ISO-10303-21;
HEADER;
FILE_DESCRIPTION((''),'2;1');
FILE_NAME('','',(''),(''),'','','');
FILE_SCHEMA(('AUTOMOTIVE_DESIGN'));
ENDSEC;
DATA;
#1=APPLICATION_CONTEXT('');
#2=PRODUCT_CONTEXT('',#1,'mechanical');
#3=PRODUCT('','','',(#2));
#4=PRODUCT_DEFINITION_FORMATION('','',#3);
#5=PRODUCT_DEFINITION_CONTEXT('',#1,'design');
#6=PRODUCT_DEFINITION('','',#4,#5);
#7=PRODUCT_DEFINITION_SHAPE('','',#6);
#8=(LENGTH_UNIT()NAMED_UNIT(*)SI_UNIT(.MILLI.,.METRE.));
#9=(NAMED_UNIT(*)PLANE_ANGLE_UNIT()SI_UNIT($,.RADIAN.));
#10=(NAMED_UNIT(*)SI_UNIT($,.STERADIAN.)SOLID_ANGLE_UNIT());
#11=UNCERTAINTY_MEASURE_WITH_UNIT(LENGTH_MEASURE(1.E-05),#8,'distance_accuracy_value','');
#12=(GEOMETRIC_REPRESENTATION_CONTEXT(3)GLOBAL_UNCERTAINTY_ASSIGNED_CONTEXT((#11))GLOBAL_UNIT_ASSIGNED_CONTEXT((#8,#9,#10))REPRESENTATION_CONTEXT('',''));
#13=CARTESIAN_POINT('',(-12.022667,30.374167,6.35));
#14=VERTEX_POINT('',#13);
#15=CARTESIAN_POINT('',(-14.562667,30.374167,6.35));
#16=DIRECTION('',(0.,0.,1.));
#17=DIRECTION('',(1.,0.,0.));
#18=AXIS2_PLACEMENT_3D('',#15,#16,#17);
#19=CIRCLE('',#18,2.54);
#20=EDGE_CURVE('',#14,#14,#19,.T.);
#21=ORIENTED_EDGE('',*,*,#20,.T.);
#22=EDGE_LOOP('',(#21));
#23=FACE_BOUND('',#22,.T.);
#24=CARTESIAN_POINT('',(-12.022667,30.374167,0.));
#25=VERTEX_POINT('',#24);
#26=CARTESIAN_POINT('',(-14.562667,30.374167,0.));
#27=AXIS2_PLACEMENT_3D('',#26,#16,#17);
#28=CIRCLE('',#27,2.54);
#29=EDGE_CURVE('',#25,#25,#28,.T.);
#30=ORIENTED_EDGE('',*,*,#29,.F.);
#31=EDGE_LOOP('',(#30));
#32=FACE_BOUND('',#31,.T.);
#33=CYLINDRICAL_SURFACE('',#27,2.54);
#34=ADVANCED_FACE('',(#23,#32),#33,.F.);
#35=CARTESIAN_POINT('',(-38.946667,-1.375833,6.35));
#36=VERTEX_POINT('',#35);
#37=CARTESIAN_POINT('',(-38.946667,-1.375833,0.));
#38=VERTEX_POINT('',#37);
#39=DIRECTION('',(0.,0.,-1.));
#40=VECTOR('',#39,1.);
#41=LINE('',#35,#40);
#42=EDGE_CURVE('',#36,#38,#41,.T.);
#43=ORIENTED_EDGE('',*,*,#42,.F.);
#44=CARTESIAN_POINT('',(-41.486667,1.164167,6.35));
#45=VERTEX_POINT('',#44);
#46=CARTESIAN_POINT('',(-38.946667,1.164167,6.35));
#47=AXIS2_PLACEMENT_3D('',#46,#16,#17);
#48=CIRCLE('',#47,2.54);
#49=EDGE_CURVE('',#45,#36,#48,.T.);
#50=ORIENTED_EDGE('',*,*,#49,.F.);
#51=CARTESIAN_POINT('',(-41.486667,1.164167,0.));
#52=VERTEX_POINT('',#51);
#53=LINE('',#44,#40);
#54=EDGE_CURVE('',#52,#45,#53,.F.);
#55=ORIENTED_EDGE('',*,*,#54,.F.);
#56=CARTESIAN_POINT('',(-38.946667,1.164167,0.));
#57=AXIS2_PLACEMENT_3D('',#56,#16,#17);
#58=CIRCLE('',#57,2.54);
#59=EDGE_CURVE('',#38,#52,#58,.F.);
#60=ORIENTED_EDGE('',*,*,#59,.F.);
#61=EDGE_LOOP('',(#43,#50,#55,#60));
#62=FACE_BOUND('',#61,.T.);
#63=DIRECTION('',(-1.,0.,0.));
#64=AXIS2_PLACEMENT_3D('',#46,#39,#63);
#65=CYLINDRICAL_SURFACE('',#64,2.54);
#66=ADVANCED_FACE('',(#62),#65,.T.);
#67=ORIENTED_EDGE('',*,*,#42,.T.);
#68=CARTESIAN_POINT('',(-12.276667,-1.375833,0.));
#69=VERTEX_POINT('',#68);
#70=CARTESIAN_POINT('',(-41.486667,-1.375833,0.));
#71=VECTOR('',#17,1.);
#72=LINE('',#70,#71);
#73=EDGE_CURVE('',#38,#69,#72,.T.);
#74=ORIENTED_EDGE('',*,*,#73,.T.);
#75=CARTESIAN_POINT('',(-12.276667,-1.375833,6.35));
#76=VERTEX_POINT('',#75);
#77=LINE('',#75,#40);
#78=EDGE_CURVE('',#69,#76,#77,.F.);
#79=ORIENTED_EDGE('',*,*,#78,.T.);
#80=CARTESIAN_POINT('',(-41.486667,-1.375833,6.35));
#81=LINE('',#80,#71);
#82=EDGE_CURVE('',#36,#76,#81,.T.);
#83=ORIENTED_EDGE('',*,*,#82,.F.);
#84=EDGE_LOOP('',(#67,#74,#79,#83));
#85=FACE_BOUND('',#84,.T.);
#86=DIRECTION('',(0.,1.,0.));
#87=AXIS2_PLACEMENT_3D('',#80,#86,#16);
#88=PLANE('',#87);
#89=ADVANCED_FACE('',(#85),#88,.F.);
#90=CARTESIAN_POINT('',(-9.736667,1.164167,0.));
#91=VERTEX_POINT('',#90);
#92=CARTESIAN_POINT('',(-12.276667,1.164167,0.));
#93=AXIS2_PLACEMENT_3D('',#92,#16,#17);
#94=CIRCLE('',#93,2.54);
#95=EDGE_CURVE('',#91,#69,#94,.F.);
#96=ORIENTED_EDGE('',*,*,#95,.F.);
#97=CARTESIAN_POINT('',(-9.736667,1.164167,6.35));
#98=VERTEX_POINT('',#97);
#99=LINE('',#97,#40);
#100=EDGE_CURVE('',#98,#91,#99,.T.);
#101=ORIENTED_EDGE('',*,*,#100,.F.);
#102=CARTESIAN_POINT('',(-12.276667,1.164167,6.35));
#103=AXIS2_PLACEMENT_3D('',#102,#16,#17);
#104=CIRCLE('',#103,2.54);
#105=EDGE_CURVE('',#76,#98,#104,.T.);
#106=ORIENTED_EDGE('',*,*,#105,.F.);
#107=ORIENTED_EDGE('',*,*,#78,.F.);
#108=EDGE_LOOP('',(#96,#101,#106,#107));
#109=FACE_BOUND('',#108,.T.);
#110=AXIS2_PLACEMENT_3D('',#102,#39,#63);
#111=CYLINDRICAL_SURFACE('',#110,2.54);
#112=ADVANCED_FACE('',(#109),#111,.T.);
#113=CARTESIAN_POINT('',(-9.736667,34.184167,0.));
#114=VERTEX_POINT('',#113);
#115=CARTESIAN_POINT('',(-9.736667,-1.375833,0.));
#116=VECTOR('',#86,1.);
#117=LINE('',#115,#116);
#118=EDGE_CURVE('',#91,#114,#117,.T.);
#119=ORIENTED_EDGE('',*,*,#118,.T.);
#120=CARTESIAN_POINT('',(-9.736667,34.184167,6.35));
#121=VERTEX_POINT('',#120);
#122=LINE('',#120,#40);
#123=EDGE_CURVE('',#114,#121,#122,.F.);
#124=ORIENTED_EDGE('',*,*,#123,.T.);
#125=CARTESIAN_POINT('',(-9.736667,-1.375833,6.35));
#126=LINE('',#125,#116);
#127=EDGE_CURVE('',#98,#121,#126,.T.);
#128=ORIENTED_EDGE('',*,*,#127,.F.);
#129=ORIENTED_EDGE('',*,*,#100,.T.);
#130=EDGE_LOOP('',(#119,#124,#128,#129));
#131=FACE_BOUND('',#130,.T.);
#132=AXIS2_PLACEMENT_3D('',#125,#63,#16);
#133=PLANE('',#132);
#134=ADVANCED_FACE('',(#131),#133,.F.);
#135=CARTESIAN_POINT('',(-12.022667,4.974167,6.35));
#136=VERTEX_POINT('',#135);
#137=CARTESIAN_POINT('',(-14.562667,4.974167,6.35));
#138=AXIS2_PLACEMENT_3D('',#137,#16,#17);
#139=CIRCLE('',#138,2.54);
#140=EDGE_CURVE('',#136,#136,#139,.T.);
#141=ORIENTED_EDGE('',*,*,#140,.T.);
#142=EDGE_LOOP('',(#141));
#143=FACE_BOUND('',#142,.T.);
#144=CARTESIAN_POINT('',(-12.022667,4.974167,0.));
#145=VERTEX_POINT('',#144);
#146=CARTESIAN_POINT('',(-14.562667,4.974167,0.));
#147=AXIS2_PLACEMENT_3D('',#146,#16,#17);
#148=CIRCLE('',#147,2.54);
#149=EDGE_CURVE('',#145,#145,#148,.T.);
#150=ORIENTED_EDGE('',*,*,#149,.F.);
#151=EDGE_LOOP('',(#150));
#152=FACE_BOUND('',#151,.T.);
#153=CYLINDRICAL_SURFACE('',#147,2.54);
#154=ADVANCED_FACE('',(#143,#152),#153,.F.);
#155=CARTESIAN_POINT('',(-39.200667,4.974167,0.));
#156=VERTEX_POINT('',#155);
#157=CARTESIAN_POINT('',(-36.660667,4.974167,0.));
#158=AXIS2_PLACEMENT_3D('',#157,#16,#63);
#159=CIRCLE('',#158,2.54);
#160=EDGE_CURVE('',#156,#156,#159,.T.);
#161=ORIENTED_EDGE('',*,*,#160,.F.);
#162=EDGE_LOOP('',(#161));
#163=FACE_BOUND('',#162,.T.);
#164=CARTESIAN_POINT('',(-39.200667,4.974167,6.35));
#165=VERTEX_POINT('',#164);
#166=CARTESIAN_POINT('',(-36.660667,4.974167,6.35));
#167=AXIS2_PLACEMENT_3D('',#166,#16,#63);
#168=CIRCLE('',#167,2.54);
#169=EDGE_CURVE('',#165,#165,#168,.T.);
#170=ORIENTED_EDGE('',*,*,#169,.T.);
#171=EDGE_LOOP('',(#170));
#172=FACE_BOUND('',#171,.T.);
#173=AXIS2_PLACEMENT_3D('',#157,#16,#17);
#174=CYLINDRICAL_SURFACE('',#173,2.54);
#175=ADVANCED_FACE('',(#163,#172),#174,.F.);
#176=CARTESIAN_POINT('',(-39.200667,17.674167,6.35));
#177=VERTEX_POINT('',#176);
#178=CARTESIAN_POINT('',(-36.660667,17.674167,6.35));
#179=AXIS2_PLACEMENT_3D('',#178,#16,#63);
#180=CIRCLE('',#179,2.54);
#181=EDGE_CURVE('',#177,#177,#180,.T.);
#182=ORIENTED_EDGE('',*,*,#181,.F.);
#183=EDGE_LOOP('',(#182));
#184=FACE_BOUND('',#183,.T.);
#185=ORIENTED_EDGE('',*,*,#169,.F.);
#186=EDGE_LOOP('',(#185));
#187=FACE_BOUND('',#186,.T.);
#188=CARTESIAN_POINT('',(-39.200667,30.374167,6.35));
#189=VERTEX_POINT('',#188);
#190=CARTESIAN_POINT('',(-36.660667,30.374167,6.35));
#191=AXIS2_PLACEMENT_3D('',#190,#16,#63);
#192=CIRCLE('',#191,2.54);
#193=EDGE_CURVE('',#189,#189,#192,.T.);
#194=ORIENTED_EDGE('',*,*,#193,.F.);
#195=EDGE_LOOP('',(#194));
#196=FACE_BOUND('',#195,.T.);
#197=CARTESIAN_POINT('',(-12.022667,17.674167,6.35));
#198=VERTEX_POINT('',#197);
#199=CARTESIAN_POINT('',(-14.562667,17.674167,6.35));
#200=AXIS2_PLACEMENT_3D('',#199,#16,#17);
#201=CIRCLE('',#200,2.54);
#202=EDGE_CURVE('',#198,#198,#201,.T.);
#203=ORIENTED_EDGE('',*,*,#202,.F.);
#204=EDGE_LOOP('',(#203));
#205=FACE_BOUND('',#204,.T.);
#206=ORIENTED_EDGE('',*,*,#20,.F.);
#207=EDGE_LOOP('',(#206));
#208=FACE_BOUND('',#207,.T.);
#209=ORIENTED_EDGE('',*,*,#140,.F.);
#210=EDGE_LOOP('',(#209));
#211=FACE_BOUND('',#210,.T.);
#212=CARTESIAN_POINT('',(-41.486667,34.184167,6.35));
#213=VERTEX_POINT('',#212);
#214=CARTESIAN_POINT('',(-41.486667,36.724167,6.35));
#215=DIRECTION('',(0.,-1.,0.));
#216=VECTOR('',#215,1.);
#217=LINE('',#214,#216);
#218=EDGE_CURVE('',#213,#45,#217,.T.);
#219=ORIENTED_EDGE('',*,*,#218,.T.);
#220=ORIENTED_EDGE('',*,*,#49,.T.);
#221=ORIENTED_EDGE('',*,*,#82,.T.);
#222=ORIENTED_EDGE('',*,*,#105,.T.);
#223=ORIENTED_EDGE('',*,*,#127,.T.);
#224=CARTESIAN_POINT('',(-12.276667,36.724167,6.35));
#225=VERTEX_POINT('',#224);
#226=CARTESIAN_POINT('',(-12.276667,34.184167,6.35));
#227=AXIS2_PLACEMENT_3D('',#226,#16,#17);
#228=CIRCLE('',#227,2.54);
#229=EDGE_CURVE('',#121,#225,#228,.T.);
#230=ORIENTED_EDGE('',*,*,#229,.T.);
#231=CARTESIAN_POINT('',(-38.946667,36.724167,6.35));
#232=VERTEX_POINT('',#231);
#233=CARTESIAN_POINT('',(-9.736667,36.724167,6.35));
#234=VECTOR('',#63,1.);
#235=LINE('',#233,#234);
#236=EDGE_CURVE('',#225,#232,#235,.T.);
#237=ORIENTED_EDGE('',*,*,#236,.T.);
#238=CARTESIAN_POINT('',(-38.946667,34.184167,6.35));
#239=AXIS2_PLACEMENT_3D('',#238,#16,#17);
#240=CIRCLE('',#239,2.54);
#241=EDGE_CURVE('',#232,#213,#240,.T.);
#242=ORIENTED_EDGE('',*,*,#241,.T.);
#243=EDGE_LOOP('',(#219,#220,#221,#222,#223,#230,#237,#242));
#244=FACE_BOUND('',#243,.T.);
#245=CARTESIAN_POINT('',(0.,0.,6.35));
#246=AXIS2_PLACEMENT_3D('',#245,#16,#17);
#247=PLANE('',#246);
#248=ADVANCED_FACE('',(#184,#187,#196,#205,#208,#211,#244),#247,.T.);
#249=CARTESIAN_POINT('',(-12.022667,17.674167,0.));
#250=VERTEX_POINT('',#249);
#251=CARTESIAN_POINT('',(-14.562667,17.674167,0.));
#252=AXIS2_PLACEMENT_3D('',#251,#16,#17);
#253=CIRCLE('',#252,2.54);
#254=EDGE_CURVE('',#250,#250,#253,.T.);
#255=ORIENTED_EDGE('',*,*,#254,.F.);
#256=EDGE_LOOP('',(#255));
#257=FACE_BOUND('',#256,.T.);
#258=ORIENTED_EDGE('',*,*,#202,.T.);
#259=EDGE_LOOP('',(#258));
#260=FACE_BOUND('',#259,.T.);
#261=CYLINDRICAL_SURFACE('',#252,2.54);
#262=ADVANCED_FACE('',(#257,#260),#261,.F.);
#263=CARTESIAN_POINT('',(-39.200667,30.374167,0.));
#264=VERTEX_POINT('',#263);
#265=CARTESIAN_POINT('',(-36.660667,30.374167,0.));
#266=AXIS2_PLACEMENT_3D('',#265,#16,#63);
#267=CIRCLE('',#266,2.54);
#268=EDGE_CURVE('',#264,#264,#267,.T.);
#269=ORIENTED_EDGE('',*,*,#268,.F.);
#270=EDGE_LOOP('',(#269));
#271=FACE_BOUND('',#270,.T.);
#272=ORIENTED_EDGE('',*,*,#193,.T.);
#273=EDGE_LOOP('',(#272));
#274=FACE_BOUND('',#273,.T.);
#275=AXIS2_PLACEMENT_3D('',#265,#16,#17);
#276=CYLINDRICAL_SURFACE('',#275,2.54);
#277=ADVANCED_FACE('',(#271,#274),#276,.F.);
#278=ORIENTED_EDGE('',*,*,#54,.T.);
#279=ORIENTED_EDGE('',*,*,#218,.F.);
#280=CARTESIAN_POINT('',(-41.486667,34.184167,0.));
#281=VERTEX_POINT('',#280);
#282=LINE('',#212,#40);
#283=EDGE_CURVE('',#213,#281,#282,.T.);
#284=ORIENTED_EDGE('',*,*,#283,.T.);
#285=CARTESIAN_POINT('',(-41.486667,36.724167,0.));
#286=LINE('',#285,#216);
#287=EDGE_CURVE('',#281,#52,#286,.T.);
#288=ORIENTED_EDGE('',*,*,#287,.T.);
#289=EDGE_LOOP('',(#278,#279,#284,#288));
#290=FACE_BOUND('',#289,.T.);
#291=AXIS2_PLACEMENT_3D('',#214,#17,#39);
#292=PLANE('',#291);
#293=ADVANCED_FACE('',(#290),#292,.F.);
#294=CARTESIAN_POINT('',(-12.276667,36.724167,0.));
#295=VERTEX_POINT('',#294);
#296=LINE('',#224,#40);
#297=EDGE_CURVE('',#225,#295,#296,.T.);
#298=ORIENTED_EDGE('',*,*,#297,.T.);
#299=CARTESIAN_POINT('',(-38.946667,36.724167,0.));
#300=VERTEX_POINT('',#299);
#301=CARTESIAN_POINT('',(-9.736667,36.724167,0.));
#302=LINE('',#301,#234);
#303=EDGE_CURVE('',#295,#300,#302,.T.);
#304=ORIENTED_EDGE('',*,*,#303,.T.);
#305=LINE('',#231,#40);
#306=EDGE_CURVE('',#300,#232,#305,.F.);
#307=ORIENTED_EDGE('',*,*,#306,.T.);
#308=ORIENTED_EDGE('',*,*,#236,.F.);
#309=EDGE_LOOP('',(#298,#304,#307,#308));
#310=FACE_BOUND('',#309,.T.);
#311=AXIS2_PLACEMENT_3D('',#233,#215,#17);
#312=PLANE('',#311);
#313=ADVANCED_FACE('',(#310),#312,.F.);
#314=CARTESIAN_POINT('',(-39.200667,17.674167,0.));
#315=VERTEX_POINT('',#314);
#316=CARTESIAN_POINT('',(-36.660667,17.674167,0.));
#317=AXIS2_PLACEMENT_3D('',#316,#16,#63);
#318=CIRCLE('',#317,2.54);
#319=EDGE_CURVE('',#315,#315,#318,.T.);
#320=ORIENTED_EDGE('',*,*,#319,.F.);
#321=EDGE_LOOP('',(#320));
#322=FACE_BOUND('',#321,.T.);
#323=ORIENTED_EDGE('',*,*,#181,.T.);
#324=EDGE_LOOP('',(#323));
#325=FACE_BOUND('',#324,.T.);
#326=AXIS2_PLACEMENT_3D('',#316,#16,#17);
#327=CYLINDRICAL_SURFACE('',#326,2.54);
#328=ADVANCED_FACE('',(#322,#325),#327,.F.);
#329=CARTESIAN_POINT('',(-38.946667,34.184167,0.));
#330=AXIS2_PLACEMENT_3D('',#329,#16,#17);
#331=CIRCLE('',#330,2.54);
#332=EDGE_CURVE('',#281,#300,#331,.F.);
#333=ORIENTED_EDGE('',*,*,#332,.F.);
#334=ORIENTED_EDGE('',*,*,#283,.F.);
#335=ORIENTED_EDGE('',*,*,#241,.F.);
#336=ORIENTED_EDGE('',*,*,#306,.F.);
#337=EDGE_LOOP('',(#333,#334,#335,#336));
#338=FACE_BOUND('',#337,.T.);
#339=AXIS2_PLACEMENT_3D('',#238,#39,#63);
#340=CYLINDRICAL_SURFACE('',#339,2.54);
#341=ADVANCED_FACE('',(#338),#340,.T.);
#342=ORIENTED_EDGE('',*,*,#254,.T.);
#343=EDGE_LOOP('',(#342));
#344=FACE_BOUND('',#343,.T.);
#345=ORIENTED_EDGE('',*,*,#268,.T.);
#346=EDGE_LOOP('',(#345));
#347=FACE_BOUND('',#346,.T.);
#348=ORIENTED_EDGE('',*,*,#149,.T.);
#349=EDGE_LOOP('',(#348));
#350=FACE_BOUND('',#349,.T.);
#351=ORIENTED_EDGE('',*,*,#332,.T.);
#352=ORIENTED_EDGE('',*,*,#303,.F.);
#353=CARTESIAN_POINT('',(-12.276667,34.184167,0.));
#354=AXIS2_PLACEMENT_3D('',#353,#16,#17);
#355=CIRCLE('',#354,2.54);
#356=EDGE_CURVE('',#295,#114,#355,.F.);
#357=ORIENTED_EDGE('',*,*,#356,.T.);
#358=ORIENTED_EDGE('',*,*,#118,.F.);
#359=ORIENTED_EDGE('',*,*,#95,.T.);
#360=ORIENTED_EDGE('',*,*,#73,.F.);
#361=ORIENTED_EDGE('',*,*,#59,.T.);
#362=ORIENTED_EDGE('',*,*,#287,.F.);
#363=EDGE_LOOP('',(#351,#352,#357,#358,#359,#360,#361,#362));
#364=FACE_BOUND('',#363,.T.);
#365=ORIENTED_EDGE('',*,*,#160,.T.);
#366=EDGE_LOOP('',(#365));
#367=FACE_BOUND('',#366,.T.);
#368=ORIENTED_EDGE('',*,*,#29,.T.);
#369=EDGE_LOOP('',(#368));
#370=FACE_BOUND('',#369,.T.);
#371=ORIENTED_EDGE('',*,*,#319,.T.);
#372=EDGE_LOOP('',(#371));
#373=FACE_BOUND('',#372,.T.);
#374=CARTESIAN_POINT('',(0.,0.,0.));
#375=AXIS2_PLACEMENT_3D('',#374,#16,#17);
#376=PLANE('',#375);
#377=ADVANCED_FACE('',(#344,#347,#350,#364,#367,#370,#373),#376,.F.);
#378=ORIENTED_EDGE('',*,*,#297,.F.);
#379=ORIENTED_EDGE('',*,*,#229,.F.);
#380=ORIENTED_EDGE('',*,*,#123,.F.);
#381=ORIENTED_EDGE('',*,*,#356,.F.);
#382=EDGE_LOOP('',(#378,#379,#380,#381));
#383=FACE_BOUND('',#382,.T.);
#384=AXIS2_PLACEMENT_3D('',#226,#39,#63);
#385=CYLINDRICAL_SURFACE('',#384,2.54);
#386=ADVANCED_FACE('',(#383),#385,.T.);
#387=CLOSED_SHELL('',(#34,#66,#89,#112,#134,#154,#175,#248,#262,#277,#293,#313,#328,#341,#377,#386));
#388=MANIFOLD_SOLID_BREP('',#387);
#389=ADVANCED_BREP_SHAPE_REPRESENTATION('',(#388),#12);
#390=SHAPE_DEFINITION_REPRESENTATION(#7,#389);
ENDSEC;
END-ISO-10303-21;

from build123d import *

# Parameters (mm, degrees)
SKETCH1_W           = 31.75
SKETCH1_H           = 38.1
BOSS_EXTRUDE1_DEPTH = 6.35
FILLET1_R           = 2.54
SKETCH4_R           = 2.54
CUT_EXTRUDE1_DEPTH  = 6.35


with BuildPart() as part:
    # Sketch1 → Boss-Extrude1 (new body)
    with BuildSketch(Plane.XY):
        with Locations((-25.611666667, 17.674166667)):
            Rectangle(SKETCH1_W, SKETCH1_H)
    extrude(amount=BOSS_EXTRUDE1_DEPTH)

    # Fillet1
    fillet1_edges = [part.edges().sort_by_distance(p)[0] for p in [
        (-9.736666667, 36.724166667, 3.175),
        (-9.736666667, -1.375833333, 3.175),
        (-41.486666667, -1.375833333, 3.175),
        (-41.486666667, 36.724166667, 3.175),
    ]]
    fillet(fillet1_edges, radius=FILLET1_R)

    # Sketch4 → Cut-Extrude1 (cut)
    with BuildSketch(Plane.XY.offset(6.35)):
        with Locations((-14.562666667, 30.374166667)):
            Circle(SKETCH4_R)
        with Locations((-14.562666667, 17.674166667)):
            Circle(SKETCH4_R)
        with Locations((-14.562666667, 4.974166667)):
            Circle(SKETCH4_R)
        with Locations(Location((-36.660666667, 4.974166667, 0), (0, 0, 180))):
            Circle(SKETCH4_R)
        with Locations(Location((-36.660666667, 17.674166667, 0), (0, 0, 180))):
            Circle(SKETCH4_R)
        with Locations(Location((-36.660666667, 30.374166667, 0), (0, 0, 180))):
            Circle(SKETCH4_R)
    extrude(amount=-CUT_EXTRUDE1_DEPTH, mode=Mode.SUBTRACT)


solid = part.part
